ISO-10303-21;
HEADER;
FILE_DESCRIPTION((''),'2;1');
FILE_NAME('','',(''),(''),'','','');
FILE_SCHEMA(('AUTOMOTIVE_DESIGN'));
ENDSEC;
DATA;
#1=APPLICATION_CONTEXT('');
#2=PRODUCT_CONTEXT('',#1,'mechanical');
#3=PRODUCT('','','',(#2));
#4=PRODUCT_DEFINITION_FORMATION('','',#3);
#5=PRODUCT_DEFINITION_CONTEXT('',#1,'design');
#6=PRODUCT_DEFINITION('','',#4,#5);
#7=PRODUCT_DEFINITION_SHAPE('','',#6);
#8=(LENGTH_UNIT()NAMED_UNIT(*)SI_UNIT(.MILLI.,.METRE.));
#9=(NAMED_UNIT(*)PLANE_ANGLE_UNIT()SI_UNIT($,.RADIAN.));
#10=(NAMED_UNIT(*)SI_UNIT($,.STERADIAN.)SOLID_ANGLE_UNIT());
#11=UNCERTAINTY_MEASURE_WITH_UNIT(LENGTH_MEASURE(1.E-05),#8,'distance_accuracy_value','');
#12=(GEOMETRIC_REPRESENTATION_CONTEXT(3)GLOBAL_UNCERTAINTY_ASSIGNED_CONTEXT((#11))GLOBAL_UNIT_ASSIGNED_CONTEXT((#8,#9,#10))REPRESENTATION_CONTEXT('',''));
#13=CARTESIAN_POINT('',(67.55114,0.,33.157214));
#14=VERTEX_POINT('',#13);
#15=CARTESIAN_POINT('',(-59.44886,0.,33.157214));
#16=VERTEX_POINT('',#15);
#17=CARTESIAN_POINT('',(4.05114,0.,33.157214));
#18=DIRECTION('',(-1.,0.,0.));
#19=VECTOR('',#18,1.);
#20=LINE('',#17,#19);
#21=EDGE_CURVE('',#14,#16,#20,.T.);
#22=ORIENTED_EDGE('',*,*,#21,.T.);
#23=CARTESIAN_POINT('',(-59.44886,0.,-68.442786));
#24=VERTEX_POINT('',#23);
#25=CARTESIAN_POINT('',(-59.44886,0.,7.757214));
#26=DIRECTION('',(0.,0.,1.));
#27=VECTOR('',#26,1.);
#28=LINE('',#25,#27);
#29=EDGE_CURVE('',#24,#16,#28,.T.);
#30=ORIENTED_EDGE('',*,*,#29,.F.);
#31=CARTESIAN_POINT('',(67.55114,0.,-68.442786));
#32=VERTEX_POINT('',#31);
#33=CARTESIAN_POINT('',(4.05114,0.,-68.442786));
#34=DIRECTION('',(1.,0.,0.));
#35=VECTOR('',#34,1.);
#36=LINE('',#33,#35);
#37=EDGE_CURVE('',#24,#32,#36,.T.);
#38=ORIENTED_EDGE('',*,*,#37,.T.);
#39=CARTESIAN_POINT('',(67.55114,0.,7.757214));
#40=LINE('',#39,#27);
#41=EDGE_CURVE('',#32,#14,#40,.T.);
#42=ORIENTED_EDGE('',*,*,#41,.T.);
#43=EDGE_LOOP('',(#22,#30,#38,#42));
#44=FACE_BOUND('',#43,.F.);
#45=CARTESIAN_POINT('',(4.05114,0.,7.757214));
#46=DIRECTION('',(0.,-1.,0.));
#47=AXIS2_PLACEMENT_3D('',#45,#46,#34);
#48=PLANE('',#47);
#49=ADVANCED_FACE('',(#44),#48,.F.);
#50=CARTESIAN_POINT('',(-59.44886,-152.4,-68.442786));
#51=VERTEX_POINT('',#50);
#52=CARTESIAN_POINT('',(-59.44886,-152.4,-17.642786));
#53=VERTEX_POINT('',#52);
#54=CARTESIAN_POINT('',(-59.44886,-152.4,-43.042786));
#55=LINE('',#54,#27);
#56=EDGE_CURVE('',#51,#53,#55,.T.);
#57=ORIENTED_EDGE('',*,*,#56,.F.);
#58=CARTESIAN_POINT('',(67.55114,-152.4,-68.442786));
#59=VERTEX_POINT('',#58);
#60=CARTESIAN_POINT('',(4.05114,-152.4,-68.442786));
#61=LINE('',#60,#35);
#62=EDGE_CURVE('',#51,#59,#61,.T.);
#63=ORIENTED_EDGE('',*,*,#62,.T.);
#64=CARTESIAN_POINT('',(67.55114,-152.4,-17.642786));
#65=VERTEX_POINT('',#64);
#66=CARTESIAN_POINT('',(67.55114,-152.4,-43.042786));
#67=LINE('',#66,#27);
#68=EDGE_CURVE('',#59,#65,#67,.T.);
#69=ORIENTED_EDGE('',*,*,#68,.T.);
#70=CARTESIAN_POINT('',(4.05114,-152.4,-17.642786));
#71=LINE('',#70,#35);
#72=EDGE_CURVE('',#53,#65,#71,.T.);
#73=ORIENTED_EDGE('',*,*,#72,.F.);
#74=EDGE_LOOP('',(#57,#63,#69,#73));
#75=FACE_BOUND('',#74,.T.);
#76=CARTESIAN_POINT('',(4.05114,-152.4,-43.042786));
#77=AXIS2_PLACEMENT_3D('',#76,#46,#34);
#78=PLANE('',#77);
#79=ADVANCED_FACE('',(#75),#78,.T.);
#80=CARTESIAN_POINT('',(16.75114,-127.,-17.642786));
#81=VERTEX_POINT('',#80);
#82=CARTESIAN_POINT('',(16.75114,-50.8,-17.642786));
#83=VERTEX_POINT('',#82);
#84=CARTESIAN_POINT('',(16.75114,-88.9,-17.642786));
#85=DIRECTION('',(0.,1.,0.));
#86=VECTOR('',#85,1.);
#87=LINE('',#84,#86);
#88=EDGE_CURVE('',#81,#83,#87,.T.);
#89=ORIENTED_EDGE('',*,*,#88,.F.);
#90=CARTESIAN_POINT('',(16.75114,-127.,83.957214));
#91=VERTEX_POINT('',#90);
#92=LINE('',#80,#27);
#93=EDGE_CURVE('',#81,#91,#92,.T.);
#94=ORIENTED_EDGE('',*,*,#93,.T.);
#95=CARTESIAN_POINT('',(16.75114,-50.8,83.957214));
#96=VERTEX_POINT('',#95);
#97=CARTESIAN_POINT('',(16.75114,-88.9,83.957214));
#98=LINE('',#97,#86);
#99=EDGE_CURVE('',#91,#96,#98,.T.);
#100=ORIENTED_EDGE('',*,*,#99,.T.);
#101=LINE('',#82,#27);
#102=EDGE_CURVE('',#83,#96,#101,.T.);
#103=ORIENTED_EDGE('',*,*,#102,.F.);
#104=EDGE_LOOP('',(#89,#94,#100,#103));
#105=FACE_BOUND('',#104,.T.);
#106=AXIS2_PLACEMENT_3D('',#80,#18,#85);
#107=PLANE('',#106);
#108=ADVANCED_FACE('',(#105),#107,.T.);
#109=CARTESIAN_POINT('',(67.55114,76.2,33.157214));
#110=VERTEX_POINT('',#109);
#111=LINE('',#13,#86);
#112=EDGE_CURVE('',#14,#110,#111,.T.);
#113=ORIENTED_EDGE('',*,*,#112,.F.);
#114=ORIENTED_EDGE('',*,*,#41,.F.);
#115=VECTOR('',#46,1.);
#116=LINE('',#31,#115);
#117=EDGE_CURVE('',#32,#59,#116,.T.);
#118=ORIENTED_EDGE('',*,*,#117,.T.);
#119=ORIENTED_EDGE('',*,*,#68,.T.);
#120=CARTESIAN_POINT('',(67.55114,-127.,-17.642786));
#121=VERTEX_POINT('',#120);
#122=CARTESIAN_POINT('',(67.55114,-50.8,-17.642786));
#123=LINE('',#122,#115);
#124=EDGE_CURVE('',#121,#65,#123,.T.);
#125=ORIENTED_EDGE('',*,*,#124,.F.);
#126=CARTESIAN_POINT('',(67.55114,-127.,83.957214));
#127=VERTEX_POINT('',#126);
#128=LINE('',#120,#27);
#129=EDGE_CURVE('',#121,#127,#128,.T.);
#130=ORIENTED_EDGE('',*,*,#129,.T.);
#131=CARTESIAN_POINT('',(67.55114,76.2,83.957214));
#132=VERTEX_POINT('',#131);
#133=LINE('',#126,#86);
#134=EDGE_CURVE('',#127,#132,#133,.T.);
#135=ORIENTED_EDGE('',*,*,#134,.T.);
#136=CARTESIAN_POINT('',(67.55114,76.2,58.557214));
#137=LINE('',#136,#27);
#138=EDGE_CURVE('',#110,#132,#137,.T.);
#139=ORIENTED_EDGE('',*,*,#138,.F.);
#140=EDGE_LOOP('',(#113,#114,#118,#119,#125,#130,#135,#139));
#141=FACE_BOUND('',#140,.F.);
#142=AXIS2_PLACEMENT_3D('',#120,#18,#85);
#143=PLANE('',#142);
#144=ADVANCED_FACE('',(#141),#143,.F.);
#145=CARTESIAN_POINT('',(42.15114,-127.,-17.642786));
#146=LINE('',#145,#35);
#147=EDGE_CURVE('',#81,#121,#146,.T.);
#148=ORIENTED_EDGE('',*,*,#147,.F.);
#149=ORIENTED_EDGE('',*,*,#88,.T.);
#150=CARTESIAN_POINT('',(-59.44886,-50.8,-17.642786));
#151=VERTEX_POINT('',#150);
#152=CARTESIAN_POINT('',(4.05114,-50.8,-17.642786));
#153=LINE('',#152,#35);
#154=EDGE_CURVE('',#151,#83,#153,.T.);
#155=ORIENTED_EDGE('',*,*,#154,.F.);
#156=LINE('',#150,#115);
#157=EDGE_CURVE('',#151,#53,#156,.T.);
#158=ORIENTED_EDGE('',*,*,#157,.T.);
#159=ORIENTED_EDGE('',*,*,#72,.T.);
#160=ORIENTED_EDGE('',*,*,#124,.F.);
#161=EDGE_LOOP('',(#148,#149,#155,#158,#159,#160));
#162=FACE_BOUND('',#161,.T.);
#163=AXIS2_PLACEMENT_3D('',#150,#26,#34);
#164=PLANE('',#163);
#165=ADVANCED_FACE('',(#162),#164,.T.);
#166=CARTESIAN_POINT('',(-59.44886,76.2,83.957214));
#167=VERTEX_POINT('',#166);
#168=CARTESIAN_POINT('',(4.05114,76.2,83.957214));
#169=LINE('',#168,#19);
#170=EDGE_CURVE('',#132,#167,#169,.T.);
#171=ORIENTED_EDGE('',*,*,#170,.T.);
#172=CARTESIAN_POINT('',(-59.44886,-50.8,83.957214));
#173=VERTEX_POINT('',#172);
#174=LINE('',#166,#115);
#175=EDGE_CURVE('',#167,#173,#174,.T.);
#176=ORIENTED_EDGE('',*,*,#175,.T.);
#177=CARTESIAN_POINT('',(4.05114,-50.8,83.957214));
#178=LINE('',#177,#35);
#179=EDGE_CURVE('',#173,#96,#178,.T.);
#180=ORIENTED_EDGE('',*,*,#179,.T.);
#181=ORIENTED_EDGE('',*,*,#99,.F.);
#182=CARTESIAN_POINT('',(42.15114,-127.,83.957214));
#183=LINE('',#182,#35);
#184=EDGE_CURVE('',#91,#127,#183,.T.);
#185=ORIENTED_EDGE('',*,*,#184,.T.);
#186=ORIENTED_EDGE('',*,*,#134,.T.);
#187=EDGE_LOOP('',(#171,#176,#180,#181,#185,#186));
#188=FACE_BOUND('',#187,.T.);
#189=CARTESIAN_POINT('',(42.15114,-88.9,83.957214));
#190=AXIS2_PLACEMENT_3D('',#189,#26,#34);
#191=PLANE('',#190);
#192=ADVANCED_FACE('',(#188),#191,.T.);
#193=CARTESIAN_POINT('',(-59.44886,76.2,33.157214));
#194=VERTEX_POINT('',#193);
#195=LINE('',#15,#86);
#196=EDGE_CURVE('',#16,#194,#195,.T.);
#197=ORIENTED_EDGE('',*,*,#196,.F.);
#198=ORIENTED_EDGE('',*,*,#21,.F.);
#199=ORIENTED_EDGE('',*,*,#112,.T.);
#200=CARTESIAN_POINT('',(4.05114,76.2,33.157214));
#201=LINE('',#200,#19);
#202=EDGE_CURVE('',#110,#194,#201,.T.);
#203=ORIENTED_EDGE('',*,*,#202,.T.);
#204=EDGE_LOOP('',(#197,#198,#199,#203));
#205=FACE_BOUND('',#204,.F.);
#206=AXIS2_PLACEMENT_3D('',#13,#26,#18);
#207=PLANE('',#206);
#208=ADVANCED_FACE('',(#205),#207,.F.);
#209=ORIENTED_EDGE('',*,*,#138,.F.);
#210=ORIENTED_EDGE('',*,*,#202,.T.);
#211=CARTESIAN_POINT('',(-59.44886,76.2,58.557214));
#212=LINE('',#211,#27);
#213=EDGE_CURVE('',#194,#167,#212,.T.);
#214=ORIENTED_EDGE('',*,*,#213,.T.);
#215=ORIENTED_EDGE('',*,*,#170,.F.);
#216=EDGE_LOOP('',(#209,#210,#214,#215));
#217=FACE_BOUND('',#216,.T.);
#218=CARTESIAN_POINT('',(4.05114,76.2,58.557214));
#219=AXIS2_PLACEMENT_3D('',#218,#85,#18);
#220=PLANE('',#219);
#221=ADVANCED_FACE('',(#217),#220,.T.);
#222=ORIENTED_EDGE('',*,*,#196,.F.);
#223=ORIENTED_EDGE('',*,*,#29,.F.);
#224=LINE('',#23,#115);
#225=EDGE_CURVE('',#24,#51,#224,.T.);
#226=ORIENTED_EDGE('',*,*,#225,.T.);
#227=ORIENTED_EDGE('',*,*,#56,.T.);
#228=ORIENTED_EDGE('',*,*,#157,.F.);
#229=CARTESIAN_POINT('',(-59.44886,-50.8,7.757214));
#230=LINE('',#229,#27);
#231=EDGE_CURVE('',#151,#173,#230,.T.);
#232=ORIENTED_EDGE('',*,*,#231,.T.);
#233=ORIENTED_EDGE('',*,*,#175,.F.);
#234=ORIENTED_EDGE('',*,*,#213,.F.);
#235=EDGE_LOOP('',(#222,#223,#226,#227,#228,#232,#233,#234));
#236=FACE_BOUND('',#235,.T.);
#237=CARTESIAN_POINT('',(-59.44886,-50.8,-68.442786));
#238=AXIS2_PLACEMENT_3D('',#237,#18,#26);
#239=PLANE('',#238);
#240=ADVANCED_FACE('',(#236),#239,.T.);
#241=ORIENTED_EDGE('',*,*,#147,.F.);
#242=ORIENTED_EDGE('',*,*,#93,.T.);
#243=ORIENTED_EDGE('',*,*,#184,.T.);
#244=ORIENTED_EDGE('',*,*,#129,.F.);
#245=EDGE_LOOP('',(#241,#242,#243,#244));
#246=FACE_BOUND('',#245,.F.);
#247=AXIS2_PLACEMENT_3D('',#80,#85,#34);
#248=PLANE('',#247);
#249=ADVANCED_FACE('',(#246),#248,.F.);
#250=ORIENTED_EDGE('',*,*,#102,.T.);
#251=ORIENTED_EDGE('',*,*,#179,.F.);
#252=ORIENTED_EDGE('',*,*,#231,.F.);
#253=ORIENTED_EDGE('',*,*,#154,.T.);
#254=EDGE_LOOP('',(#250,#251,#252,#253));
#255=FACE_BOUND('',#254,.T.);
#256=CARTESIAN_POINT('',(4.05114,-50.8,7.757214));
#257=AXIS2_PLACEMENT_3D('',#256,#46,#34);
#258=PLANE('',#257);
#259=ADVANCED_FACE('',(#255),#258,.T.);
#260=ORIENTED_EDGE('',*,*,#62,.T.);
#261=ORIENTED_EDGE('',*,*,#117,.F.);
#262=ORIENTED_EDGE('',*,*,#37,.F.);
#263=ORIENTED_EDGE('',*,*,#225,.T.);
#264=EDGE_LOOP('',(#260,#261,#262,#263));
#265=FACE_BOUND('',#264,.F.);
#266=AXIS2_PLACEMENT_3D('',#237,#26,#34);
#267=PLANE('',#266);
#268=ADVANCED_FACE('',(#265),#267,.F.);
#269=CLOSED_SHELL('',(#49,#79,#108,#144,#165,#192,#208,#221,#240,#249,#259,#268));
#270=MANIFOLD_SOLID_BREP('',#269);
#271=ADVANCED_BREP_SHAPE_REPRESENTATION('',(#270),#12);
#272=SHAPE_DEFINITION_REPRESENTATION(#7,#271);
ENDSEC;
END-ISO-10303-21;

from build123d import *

# Parameters (mm, degrees)
F0_W     = 127
F0_H     = 152.4
F1_DEPTH = 50.8
F2_W     = 127
F2_H     = 50.8
F3_DEPTH = 76.2
F4_W     = 127
F4_H     = 50.8
F5_DEPTH = 101.6
F6_W     = 50.8
F6_H     = 76.2
F7_DEPTH = 101.6


with BuildPart() as f1:
    # F0 (on Front) → F1 (new body)
    with BuildSketch(Plane.XZ):
        with Locations((4.05114, 7.757214)):
            Rectangle(F0_W, F0_H)
    extrude(amount=F1_DEPTH)

    # F2 (on face) → F3 (join)
    with BuildSketch(Plane(origin=(0, 0, 0), x_dir=(-1, 0, 0), z_dir=(0, 1, 0))):
        with Locations((-4.05114, 58.557214)):
            Rectangle(F2_W, F2_H)
    extrude(amount=F3_DEPTH)

    # F4 (on face) → F5 (join)
    with BuildSketch(Plane.XZ.offset(50.8)):
        with Locations((4.05114, -43.042786)):
            Rectangle(F4_W, F4_H)
    extrude(amount=F5_DEPTH)

    # F6 (on face) → F7 (join)
    with BuildSketch(Plane.XY.offset(-17.642786)):
        with Locations((42.15114, -88.9)):
            Rectangle(F6_W, F6_H)
    extrude(amount=F7_DEPTH)


solid = f1.part
